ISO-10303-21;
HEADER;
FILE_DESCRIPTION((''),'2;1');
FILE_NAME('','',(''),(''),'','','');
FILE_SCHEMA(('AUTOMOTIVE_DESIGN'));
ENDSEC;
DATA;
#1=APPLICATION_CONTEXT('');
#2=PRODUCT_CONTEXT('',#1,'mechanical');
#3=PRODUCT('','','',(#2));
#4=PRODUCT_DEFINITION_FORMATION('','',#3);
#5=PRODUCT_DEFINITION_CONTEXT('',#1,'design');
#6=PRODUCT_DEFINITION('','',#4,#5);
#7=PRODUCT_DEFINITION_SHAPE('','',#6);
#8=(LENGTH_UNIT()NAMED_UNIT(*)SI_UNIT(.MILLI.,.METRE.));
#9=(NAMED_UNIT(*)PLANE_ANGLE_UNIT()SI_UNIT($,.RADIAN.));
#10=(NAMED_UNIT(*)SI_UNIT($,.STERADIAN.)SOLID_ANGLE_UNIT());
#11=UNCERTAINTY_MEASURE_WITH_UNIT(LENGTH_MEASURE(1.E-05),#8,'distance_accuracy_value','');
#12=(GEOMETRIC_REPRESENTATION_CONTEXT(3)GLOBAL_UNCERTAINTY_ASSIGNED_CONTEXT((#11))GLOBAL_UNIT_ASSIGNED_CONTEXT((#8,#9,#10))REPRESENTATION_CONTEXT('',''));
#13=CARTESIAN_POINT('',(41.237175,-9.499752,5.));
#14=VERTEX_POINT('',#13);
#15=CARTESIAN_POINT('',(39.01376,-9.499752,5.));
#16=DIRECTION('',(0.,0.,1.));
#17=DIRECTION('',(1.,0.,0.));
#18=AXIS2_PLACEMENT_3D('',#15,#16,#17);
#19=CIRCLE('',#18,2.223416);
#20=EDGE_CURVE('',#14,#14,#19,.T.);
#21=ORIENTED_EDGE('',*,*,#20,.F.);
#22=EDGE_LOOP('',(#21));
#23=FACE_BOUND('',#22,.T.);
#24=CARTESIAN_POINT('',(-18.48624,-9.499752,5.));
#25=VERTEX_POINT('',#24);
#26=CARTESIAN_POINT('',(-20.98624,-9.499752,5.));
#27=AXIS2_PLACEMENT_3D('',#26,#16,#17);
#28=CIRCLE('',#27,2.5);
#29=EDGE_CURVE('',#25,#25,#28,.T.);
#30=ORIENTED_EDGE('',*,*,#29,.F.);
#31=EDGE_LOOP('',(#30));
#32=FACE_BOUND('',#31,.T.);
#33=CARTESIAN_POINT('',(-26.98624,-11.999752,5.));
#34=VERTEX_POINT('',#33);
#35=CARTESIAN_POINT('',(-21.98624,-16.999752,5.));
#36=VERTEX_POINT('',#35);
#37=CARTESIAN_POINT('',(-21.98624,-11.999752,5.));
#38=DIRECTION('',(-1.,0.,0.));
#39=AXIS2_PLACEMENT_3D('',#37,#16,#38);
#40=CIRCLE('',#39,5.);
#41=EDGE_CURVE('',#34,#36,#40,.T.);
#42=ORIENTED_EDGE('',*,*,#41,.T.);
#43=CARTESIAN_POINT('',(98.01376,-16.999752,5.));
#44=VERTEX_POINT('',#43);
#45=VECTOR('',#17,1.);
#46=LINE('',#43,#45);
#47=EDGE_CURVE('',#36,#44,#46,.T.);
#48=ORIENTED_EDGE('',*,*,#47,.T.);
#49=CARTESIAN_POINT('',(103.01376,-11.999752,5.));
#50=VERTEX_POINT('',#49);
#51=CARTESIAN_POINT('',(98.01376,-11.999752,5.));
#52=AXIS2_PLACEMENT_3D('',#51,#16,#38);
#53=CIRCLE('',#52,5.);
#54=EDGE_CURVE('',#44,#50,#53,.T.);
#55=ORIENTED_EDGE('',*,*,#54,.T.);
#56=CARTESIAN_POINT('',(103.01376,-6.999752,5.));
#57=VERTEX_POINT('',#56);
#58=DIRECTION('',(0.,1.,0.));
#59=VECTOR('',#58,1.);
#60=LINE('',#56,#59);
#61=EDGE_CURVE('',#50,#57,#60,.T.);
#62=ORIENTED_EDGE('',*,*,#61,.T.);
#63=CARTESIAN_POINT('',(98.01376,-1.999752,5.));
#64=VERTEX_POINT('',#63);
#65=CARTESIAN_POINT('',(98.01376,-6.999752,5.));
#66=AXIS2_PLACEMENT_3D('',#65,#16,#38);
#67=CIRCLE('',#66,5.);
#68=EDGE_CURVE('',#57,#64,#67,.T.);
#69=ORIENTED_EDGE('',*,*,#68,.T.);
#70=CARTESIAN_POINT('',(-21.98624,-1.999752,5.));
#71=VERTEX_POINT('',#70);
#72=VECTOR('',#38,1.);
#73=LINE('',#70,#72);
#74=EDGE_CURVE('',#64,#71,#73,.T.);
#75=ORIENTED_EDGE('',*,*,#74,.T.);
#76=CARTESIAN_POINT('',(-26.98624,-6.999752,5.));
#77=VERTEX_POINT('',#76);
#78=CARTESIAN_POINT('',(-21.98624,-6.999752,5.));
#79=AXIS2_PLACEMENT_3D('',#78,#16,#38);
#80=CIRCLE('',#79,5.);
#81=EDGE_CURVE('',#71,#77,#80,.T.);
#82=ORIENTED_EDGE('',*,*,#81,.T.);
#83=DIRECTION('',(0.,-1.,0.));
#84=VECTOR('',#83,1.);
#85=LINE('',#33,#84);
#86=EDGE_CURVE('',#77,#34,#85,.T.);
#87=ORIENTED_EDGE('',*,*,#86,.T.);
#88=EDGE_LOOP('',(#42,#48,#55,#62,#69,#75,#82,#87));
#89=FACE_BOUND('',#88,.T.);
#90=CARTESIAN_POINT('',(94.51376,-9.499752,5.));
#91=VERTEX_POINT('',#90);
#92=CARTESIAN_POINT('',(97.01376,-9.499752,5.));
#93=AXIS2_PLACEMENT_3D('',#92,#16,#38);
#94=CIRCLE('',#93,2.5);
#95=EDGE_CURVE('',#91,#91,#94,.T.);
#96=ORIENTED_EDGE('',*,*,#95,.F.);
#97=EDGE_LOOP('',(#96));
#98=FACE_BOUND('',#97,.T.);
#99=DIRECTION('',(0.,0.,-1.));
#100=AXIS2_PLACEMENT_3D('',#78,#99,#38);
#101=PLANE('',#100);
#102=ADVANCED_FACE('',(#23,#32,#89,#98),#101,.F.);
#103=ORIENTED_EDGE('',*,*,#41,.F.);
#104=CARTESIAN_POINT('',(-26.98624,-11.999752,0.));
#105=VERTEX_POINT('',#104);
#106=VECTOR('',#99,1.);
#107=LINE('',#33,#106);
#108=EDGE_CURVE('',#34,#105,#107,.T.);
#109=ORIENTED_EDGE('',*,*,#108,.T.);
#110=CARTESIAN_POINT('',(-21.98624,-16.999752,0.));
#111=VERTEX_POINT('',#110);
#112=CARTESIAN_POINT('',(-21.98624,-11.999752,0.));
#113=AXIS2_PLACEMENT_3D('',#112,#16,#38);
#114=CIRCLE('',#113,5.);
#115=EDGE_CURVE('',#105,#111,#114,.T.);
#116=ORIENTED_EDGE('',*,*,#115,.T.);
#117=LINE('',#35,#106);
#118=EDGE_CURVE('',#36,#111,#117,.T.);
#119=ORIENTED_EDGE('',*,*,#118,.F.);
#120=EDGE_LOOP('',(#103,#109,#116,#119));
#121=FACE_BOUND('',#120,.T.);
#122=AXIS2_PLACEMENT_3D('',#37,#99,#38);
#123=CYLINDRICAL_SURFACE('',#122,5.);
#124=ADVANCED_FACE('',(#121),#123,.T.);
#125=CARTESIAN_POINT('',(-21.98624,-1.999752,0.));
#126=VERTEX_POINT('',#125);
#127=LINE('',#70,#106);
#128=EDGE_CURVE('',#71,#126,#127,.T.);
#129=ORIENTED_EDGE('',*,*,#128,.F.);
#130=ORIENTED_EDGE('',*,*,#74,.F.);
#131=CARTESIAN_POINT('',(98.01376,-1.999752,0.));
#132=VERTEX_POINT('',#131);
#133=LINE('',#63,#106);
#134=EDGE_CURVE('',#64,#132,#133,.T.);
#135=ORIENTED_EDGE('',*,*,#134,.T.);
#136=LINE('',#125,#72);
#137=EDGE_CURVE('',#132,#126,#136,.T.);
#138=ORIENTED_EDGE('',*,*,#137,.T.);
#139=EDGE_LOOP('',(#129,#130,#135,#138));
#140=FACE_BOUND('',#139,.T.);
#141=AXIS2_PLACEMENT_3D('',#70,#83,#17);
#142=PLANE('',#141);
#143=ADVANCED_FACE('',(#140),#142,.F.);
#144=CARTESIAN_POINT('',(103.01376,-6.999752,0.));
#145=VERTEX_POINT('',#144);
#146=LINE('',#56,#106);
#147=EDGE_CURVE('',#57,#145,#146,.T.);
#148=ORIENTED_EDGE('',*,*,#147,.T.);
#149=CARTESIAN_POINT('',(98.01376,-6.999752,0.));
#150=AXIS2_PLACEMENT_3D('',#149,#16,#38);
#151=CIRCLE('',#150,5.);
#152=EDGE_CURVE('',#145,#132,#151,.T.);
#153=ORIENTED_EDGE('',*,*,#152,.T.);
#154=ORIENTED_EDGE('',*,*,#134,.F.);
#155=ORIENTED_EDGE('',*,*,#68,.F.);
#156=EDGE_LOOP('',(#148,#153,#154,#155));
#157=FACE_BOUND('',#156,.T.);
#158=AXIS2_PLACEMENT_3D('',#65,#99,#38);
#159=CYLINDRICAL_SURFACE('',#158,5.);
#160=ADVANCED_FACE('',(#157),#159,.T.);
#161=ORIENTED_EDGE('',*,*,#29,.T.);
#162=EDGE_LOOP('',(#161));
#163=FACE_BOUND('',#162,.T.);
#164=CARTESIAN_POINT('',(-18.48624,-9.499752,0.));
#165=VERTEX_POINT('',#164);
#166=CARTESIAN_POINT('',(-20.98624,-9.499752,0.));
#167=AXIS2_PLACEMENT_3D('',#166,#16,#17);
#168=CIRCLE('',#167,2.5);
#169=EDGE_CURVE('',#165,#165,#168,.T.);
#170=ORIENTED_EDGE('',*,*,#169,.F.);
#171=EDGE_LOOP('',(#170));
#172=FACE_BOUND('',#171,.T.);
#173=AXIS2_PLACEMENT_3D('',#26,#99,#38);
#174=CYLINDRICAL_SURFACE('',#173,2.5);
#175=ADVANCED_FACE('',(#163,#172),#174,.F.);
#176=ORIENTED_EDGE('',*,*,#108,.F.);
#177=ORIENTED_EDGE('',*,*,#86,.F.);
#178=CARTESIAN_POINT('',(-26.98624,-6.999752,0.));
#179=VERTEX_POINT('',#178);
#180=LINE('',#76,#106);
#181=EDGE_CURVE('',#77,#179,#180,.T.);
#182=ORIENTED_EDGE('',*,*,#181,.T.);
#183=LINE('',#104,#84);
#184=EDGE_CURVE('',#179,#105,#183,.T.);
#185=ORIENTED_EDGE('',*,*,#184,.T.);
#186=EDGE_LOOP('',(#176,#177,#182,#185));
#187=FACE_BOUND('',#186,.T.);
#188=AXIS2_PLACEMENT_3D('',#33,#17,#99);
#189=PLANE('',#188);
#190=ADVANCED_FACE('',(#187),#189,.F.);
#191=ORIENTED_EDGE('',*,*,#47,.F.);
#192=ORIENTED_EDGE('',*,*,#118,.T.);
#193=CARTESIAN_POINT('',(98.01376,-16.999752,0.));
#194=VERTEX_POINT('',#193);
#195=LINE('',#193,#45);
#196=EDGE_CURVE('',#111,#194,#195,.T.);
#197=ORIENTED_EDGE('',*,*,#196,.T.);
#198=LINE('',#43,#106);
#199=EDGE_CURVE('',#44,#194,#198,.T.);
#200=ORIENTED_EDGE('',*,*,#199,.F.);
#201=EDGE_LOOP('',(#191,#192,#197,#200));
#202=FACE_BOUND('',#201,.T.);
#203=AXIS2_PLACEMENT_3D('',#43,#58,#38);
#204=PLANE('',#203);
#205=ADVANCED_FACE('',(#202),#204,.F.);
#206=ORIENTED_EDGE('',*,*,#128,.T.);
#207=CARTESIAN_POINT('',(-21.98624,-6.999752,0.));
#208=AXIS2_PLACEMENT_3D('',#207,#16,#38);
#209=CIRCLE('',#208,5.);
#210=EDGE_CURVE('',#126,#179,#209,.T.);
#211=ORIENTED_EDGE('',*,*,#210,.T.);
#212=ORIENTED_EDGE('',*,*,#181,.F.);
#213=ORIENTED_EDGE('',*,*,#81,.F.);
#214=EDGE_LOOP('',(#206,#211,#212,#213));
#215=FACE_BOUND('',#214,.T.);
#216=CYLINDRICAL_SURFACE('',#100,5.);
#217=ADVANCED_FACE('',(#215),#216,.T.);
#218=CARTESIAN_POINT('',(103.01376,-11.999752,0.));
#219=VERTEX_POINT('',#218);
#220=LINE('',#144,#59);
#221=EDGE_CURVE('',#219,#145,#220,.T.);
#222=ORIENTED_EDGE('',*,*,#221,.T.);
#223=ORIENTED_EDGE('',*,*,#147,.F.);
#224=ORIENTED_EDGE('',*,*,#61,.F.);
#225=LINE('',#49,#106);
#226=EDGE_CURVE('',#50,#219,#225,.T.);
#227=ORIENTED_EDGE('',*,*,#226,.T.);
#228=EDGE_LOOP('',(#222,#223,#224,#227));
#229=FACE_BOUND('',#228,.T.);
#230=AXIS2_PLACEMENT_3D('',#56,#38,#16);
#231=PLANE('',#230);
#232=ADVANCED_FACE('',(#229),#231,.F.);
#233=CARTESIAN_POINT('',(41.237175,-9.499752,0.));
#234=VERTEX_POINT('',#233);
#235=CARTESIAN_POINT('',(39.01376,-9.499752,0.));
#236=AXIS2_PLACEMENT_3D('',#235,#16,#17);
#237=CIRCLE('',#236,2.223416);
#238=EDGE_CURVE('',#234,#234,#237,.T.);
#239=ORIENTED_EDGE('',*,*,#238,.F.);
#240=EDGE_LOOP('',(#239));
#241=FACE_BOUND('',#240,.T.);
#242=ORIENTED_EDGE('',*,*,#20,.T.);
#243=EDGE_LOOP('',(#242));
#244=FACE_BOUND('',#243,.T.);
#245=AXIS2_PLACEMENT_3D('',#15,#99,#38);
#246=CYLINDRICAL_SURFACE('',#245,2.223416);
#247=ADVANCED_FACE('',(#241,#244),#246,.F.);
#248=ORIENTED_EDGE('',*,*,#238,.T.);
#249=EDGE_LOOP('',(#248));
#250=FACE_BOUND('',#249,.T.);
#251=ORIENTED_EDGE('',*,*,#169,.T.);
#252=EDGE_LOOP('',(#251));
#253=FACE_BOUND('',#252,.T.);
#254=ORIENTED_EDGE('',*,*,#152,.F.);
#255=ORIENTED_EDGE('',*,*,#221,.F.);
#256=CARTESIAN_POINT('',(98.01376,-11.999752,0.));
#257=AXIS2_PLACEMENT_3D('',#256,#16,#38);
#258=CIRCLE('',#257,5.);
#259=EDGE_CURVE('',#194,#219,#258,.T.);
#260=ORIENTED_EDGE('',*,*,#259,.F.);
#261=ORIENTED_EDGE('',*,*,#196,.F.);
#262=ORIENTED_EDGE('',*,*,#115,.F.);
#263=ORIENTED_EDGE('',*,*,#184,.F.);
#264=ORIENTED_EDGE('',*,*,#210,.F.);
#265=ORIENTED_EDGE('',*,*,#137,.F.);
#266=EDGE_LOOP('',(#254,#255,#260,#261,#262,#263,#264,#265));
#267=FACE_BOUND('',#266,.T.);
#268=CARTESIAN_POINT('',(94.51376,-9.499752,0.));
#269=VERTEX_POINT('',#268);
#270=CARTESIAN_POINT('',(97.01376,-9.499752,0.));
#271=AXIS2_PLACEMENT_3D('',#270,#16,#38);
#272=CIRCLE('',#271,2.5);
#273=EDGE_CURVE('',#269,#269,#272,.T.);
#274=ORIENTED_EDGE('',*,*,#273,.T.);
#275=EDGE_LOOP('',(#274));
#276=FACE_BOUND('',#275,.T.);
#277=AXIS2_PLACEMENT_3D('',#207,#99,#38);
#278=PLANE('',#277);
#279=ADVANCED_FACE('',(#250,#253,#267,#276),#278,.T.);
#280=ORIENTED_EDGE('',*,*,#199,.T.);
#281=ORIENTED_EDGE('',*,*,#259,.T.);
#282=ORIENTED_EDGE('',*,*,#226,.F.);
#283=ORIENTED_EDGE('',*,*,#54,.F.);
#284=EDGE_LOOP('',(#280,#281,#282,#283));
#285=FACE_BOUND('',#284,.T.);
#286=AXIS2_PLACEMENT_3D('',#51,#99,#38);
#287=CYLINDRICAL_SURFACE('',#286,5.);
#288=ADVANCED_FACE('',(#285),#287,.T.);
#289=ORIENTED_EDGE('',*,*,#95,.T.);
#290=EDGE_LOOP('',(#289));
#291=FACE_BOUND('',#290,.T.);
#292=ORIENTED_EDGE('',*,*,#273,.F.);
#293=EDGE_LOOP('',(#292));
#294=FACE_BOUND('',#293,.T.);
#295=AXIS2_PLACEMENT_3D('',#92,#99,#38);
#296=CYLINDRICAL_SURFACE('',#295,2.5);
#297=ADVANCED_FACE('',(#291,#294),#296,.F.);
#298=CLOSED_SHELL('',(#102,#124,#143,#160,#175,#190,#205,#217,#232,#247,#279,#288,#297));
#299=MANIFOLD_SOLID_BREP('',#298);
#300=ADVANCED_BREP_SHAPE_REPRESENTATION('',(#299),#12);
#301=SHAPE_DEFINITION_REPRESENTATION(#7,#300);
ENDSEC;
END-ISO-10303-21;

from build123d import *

# Parameters (mm, degrees)
SKETCH20_R          = 2.5
SKETCH20_R_2        = 2.223415724
BOSS_EXTRUDE3_DEPTH = 5


with BuildPart() as part:
    # Sketch20 → Boss-Extrude3 (new body)
    with BuildSketch(Plane.XY):
        with BuildLine():
            Line((-21.986240354, -1.999752434), (98.013759646, -1.999752434))
            ThreePointArc((98.013759646, -1.999752434), (101.549293552, -3.464218528), (103.013759646, -6.999752434))
            Line((103.013759646, -6.999752434), (103.013759646, -11.999752434))
            ThreePointArc((103.013759646, -11.999752434), (101.549293552, -15.53528634), (98.013759646, -16.999752434))
            Line((98.013759646, -16.999752434), (-21.986240354, -16.999752434))
            ThreePointArc((-21.986240354, -16.999752434), (-25.52177426, -15.53528634), (-26.986240354, -11.999752434))
            Line((-26.986240354, -11.999752434), (-26.986240354, -6.999752434))
            ThreePointArc((-26.986240354, -6.999752434), (-25.52177426, -3.464218528), (-21.986240354, -1.999752434))
        make_face()
        with Locations((-20.986240354, -9.499752434)):
            Circle(SKETCH20_R, mode=Mode.SUBTRACT)
        with Locations((97.013759646, -9.499752434)):
            Circle(SKETCH20_R, mode=Mode.SUBTRACT)
        with Locations((39.013759646, -9.499752434)):
            Circle(SKETCH20_R_2, mode=Mode.SUBTRACT)
    extrude(amount=BOSS_EXTRUDE3_DEPTH)


solid = part.part
